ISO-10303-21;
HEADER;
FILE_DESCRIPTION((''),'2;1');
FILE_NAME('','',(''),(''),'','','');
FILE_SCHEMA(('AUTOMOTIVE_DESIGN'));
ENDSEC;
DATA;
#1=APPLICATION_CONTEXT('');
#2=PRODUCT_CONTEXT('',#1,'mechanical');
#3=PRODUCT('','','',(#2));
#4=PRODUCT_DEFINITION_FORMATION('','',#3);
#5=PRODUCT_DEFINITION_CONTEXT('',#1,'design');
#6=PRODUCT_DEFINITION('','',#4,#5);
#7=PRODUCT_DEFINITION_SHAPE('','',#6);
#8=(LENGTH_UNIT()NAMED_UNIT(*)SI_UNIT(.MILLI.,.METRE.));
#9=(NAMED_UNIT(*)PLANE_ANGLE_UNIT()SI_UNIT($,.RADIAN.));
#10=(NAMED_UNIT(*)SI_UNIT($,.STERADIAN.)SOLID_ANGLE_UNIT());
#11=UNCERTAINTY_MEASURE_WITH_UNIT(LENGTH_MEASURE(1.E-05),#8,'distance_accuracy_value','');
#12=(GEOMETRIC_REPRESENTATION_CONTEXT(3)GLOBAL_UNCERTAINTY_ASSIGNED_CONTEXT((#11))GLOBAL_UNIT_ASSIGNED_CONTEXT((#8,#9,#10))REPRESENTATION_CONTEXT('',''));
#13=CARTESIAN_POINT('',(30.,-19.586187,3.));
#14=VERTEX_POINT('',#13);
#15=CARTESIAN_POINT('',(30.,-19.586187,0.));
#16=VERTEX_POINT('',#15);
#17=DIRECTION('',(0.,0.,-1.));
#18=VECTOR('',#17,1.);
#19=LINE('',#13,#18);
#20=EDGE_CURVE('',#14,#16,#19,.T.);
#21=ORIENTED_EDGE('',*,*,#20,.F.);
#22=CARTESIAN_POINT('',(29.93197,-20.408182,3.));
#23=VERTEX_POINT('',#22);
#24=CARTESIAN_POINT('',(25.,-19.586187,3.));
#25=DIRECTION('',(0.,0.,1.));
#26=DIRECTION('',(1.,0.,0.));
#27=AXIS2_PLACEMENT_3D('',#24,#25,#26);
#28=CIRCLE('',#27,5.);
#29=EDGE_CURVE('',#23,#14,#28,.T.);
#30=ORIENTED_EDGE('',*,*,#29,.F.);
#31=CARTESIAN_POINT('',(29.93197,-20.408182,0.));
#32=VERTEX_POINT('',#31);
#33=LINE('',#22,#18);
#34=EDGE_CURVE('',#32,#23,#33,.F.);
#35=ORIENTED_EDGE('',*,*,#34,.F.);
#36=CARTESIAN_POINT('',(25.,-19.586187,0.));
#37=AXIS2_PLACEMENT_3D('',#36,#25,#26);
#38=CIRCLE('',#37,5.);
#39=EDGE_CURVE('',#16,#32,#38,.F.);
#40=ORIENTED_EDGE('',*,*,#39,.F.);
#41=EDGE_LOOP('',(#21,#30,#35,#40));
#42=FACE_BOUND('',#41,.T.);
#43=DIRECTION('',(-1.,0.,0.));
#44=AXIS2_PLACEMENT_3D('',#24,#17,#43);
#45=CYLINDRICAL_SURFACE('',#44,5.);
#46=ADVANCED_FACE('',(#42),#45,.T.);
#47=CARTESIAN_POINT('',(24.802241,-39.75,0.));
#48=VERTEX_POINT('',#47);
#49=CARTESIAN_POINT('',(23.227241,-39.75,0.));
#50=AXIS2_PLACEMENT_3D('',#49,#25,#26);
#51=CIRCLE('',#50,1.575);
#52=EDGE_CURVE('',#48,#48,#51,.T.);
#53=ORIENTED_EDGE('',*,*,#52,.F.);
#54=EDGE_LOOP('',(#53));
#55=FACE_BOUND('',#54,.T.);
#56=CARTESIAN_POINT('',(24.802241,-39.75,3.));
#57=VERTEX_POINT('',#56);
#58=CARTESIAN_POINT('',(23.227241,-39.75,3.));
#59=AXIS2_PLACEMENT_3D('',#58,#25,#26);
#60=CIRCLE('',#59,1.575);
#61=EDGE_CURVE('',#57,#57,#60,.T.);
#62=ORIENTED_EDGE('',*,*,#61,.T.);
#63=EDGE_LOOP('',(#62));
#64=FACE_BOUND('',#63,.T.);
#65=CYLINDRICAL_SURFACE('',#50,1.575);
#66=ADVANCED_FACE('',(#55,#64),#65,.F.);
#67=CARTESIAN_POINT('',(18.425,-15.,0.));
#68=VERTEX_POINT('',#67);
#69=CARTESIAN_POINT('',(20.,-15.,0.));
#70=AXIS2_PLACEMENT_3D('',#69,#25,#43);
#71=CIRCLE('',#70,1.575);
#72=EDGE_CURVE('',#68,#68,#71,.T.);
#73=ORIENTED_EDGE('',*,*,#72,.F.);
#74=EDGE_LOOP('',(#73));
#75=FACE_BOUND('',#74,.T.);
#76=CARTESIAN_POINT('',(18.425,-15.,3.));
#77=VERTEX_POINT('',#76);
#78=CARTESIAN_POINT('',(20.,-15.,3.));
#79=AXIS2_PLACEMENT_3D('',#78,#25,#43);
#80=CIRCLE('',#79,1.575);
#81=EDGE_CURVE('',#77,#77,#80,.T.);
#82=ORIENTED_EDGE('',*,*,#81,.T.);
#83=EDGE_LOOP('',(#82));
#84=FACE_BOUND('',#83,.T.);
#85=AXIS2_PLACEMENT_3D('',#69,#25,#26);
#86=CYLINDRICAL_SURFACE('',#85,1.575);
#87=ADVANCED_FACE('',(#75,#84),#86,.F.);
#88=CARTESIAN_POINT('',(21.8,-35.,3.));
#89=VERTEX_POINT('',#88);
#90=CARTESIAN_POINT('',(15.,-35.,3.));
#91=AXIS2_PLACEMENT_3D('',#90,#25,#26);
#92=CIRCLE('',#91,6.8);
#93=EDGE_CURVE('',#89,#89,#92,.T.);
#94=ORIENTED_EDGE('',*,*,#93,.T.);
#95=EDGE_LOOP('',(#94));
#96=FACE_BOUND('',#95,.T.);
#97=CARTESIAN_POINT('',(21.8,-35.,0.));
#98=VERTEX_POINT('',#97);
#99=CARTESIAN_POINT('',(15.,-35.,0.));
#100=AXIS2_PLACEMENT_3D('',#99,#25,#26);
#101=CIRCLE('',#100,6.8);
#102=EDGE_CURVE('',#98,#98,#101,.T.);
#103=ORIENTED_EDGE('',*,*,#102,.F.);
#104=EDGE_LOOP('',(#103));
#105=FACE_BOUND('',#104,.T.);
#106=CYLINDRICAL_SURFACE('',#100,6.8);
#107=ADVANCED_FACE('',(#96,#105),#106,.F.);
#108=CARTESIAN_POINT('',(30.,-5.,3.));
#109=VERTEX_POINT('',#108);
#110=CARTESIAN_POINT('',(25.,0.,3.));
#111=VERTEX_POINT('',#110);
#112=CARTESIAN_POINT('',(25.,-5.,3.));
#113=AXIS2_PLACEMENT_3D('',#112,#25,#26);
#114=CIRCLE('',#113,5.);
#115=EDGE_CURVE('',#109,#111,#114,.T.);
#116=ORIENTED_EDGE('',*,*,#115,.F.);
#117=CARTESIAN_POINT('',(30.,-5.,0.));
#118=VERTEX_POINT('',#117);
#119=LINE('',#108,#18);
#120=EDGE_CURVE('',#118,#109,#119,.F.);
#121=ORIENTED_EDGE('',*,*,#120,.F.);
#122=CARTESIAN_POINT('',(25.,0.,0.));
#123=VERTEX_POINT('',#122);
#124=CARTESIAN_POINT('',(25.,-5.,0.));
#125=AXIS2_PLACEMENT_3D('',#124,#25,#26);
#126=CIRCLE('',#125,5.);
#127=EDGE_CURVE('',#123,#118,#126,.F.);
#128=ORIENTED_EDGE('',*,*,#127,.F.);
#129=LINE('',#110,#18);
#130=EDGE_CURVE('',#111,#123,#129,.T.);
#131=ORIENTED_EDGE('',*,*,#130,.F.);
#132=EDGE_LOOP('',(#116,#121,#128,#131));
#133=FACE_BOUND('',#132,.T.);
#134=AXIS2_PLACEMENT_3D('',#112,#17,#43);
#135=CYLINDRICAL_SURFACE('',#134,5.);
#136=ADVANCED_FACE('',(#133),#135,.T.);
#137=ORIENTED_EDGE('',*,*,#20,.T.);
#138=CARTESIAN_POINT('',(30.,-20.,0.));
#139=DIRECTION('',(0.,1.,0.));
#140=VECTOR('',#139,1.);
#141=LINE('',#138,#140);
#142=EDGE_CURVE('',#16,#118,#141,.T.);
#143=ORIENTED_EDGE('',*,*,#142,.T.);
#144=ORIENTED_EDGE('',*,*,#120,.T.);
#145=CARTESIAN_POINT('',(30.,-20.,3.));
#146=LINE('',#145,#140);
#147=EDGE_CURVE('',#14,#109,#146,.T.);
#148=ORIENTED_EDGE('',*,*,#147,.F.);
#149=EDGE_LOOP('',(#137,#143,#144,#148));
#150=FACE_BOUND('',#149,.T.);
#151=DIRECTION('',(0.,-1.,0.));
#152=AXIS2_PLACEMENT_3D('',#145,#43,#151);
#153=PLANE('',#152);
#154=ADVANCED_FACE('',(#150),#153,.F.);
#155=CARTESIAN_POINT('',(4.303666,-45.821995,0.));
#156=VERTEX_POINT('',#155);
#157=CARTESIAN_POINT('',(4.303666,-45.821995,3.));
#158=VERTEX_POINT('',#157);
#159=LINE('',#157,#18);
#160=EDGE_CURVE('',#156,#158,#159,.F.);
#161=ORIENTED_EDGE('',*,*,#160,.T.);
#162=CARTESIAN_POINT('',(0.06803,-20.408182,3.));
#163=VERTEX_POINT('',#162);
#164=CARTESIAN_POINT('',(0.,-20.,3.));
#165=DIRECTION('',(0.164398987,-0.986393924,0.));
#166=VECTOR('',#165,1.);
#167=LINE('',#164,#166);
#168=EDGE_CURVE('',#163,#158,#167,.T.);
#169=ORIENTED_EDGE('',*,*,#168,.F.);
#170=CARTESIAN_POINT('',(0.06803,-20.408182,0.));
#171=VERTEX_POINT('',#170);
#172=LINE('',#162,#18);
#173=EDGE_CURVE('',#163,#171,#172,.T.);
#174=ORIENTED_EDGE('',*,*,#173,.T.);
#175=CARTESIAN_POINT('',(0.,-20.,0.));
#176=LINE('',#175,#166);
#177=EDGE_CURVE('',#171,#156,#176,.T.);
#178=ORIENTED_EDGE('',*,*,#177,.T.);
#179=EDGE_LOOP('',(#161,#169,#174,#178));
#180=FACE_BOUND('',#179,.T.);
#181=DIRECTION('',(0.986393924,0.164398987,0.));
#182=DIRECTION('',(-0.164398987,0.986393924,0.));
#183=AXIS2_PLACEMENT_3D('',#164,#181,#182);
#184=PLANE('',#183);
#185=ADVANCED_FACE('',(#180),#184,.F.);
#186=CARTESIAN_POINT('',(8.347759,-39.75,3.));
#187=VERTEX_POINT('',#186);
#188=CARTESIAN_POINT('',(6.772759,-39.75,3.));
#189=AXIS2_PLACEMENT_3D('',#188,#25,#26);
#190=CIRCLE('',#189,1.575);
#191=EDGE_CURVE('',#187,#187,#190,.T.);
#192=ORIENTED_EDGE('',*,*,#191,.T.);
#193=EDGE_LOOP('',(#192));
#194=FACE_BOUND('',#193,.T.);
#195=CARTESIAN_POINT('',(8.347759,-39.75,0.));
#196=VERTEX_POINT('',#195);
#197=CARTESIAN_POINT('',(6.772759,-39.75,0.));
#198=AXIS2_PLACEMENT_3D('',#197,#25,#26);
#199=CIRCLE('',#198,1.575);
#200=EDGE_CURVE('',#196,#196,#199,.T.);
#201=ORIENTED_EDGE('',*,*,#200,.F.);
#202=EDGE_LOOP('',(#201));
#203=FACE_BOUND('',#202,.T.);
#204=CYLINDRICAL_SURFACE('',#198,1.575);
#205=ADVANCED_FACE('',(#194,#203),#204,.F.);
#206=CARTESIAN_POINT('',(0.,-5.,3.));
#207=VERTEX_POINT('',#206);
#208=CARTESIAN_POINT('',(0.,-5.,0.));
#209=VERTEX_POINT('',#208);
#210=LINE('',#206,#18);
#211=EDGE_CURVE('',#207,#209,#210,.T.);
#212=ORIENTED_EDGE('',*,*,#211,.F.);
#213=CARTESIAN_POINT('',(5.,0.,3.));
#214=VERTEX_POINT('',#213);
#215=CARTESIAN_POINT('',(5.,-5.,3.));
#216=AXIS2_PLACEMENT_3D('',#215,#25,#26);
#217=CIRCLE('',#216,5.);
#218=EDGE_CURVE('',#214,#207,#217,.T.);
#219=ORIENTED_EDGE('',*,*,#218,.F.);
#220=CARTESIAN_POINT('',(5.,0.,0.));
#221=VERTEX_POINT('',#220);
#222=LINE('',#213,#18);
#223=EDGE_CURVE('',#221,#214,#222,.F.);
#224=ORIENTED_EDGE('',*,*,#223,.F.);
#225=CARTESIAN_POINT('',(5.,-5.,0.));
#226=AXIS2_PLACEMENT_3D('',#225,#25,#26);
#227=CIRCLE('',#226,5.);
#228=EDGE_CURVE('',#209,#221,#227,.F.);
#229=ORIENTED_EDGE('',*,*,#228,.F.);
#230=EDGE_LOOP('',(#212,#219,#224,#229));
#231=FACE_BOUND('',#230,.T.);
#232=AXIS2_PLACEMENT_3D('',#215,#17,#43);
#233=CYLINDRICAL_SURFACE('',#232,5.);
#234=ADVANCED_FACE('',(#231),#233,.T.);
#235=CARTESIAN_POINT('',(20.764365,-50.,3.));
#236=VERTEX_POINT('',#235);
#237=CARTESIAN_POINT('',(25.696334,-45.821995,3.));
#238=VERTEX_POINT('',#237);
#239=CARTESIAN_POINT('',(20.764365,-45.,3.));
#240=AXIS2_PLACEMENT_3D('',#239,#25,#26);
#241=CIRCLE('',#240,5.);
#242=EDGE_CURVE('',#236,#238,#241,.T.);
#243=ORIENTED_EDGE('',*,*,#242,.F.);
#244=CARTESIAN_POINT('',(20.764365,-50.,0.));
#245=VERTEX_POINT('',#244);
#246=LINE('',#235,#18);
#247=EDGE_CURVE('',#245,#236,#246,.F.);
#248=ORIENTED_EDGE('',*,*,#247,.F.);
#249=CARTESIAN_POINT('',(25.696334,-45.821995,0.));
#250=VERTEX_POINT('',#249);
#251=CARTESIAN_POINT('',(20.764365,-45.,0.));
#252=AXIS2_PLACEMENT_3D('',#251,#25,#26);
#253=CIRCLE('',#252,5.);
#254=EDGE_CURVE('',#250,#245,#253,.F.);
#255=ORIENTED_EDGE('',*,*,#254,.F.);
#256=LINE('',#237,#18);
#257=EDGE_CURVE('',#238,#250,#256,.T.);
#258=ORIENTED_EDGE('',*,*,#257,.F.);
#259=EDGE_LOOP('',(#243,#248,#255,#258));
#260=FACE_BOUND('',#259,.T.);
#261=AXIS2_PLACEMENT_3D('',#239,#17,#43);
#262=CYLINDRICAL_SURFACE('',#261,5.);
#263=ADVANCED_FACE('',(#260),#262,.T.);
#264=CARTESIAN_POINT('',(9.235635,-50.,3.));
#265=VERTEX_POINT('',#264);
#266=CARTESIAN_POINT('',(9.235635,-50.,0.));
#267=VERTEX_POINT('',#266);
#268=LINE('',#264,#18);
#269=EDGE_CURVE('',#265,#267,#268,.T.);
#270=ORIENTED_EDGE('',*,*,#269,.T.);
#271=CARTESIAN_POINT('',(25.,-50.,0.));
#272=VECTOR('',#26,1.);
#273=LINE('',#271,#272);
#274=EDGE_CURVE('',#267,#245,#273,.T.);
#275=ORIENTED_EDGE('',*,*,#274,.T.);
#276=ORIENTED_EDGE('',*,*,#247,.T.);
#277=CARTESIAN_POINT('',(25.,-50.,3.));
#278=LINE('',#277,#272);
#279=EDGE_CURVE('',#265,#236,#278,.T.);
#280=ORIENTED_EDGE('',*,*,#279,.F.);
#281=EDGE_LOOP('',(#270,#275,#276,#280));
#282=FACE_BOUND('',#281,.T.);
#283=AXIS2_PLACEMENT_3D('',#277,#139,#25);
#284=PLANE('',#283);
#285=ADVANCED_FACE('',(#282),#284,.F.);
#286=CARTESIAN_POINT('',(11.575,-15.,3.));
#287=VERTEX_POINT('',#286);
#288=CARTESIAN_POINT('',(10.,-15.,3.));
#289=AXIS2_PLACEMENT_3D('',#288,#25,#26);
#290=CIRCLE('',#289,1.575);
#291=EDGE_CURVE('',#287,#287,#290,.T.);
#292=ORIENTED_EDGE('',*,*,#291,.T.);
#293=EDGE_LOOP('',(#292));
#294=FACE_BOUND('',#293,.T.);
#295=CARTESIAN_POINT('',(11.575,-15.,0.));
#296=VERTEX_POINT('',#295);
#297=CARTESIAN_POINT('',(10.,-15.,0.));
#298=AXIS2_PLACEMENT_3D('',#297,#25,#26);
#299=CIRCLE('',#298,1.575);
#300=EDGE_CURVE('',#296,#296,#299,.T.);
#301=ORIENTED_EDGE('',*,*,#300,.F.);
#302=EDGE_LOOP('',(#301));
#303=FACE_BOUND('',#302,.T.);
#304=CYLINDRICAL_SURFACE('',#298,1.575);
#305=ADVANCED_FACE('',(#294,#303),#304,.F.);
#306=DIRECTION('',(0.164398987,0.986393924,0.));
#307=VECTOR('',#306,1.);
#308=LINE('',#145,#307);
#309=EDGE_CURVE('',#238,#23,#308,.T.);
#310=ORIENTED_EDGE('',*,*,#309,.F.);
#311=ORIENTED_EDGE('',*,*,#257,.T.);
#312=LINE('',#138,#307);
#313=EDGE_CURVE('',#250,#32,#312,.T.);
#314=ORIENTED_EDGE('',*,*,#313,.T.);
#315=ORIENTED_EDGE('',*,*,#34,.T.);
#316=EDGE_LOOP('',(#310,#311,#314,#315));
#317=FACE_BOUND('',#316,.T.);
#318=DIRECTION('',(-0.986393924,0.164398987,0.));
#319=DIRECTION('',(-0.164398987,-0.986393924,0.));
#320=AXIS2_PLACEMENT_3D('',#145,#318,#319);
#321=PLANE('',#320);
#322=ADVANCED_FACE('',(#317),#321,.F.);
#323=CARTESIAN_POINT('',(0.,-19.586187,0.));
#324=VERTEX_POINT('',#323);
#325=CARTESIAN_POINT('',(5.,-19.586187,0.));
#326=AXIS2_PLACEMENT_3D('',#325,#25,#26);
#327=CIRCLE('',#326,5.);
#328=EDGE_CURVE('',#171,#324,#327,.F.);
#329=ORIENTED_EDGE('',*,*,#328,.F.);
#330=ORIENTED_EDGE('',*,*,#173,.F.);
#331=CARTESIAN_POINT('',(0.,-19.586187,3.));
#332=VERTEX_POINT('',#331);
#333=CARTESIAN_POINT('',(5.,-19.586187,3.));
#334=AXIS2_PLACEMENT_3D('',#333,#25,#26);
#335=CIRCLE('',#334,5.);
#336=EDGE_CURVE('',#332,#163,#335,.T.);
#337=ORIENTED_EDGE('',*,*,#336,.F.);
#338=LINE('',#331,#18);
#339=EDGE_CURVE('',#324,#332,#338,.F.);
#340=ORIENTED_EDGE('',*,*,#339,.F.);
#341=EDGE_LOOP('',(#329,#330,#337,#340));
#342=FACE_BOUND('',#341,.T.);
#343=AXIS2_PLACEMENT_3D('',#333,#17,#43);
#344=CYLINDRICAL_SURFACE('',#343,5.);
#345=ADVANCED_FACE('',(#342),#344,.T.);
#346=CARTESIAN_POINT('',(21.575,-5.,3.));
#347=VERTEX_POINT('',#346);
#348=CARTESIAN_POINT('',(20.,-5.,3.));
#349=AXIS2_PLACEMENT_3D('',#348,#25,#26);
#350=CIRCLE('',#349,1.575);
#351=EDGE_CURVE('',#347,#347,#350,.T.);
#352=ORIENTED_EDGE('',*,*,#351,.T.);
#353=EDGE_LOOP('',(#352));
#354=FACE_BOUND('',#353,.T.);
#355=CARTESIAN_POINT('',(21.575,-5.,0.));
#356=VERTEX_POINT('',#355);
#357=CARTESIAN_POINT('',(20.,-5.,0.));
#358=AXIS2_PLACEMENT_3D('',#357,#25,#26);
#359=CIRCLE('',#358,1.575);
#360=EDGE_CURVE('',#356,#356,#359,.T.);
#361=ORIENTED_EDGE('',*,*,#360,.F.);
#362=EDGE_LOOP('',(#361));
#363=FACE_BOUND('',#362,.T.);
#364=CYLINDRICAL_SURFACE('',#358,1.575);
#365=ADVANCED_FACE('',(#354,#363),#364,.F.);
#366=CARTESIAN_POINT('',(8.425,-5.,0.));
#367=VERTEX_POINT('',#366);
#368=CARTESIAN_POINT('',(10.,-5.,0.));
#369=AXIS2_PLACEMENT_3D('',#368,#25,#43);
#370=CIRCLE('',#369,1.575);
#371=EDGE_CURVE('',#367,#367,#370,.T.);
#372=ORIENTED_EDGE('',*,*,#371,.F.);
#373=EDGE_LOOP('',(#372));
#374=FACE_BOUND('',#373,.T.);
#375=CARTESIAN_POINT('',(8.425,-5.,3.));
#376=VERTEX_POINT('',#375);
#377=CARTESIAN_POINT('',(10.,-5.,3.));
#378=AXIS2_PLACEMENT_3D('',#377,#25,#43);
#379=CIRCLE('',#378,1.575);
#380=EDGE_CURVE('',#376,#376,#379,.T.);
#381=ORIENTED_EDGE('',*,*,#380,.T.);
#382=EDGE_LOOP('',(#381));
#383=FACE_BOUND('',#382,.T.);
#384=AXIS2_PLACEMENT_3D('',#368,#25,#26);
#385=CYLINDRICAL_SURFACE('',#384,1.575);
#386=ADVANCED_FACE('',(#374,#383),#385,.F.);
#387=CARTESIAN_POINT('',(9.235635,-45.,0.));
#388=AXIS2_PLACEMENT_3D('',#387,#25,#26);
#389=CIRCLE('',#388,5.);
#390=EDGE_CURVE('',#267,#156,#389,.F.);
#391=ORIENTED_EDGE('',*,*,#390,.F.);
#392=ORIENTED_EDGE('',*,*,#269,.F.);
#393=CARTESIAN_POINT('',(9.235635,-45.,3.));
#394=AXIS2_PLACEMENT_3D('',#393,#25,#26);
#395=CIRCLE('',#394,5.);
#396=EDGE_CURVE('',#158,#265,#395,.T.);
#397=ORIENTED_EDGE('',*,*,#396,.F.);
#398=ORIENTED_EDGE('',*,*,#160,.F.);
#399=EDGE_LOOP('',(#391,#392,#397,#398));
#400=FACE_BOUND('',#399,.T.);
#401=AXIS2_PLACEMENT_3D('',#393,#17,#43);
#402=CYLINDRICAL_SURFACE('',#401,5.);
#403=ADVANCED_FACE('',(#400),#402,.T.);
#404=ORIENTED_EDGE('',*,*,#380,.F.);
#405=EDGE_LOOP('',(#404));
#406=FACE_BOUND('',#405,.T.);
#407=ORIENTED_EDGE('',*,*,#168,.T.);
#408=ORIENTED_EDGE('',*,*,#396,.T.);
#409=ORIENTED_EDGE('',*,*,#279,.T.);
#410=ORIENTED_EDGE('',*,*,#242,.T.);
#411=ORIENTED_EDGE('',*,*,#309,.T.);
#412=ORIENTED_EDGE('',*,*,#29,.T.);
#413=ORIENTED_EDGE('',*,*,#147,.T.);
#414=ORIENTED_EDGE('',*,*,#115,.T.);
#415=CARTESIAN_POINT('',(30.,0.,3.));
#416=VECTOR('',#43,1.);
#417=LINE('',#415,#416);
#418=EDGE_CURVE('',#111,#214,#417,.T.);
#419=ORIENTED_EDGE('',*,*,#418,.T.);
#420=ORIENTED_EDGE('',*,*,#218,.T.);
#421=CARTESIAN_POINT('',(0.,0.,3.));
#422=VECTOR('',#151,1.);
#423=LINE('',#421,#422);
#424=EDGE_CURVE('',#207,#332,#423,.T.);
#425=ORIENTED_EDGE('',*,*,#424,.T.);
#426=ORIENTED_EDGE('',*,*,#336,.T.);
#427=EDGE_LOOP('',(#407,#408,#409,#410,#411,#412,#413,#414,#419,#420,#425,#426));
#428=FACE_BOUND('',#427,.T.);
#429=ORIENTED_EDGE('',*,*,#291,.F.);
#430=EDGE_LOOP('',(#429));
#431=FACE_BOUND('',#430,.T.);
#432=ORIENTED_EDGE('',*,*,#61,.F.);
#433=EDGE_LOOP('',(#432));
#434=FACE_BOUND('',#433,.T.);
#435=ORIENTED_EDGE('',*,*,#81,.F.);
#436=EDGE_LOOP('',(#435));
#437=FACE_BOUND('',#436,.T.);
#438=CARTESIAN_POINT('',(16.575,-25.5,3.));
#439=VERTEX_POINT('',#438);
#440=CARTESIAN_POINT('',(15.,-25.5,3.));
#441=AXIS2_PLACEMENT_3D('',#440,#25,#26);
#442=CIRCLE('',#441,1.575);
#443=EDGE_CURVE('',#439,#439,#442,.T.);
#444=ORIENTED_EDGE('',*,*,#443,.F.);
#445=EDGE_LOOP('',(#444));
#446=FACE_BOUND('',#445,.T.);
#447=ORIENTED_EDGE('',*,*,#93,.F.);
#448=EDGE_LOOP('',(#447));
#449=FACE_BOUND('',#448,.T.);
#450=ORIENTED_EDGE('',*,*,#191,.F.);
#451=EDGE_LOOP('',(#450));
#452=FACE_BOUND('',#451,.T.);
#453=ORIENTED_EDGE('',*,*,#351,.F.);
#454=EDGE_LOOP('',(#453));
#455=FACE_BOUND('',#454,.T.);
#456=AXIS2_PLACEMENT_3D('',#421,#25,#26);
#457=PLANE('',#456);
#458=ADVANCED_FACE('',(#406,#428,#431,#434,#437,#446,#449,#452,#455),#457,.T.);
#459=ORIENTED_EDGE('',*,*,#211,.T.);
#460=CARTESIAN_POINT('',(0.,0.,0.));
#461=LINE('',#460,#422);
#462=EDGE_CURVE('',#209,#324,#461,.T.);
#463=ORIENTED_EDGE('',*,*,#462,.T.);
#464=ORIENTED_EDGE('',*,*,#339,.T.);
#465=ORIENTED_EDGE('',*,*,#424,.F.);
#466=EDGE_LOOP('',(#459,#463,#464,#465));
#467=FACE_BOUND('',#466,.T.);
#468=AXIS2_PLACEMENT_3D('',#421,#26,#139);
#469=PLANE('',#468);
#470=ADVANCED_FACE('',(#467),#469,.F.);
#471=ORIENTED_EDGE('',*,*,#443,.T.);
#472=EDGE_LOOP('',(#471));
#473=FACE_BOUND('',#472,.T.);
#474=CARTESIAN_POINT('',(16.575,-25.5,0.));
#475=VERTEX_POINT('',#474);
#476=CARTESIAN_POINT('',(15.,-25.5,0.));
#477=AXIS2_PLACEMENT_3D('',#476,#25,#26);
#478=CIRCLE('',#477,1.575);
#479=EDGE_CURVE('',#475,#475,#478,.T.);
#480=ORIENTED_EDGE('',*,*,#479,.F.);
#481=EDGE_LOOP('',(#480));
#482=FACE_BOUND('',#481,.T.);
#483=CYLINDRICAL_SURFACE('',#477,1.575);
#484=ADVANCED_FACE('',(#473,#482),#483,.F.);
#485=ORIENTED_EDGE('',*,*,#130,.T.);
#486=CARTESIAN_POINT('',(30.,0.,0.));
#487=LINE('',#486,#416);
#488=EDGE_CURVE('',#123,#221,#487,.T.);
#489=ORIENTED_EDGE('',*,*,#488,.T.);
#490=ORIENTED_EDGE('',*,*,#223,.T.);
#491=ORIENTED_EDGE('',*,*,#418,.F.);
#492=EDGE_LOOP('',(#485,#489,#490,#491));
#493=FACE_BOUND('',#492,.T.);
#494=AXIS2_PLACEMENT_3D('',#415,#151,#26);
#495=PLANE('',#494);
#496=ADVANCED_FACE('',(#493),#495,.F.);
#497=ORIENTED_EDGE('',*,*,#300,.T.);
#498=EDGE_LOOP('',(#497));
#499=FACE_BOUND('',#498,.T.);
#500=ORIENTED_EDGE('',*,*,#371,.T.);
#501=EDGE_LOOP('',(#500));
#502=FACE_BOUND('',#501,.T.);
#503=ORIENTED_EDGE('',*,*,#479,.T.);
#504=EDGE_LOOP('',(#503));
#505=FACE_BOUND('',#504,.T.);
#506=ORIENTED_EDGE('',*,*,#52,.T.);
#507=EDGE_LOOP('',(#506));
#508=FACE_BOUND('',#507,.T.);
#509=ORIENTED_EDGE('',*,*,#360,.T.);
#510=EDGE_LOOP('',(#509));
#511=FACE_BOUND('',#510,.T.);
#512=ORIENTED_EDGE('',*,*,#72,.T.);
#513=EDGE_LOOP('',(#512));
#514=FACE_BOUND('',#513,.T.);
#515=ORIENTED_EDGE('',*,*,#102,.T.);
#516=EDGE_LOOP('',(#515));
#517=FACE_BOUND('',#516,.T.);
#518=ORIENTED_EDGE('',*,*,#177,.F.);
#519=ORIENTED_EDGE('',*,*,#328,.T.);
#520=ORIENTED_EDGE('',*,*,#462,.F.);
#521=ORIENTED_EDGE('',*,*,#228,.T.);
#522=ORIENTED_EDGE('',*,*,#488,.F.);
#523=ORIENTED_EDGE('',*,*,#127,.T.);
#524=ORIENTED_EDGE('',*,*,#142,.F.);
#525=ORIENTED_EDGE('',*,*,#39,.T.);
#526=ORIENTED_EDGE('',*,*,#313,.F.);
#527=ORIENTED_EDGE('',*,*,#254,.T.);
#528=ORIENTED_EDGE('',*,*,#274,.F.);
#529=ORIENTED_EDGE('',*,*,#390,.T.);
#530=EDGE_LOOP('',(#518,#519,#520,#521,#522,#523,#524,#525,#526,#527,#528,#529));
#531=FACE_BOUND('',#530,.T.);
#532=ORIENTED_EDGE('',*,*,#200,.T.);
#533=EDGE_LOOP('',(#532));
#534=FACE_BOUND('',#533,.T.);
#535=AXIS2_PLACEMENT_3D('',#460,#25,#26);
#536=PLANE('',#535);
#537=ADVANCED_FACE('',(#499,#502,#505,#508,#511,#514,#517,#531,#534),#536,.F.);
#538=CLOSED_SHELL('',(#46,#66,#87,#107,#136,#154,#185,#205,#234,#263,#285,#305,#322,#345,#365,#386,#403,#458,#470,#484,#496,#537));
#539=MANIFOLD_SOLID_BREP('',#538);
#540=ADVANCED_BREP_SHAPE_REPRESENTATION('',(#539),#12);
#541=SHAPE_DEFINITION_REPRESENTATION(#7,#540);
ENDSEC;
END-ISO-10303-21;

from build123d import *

# Parameters (mm, degrees)
EXTRUDE_1_DEPTH     = 3
SKETCH_2_R          = 1.575
SKETCH_2_R_2        = 6.8
CUT_EXTRUDE_2_DEPTH = 59.386642308
FILLET_1_R          = 5


with BuildPart() as part:
    # 草图1 → 凸台-拉伸1 (new body)
    with BuildSketch(Plane.XY):
        Polygon((0, 0), (0, -20), (5, -50), (25, -50), (30, -20), (30, 0), align=None)
    extrude(amount=EXTRUDE_1_DEPTH)

    # 草图2 → 切除-拉伸2 (cut, through all)
    with BuildSketch(Plane.XY.offset(3)):
        with Locations(Location((10, -5, 0), (0, 0, 180))):
            Circle(SKETCH_2_R)
        with Locations((10, -15)):
            Circle(SKETCH_2_R)
        with Locations(Location((20, -15, 0), (0, 0, 180))):
            Circle(SKETCH_2_R)
        with Locations((20, -5)):
            Circle(SKETCH_2_R)
        with Locations((15, -35)):
            Circle(SKETCH_2_R_2)
        with Locations((15, -25.5)):
            Circle(SKETCH_2_R)
        with Locations((23.227241336, -39.75)):
            Circle(SKETCH_2_R)
        with Locations((6.772758664, -39.75)):
            Circle(SKETCH_2_R)
    extrude(amount=-CUT_EXTRUDE_2_DEPTH, mode=Mode.SUBTRACT)

    # 圆角1
    fillet_1_edges = [part.edges().sort_by_distance(p)[0] for p in [
        (30, 0, 1.5),
        (30, -20, 1.5),
        (25, -50, 1.5),
        (5, -50, 1.5),
        (0, -20, 1.5),
        (0, 0, 1.5),
    ]]
    fillet(fillet_1_edges, radius=FILLET_1_R)


solid = part.part
